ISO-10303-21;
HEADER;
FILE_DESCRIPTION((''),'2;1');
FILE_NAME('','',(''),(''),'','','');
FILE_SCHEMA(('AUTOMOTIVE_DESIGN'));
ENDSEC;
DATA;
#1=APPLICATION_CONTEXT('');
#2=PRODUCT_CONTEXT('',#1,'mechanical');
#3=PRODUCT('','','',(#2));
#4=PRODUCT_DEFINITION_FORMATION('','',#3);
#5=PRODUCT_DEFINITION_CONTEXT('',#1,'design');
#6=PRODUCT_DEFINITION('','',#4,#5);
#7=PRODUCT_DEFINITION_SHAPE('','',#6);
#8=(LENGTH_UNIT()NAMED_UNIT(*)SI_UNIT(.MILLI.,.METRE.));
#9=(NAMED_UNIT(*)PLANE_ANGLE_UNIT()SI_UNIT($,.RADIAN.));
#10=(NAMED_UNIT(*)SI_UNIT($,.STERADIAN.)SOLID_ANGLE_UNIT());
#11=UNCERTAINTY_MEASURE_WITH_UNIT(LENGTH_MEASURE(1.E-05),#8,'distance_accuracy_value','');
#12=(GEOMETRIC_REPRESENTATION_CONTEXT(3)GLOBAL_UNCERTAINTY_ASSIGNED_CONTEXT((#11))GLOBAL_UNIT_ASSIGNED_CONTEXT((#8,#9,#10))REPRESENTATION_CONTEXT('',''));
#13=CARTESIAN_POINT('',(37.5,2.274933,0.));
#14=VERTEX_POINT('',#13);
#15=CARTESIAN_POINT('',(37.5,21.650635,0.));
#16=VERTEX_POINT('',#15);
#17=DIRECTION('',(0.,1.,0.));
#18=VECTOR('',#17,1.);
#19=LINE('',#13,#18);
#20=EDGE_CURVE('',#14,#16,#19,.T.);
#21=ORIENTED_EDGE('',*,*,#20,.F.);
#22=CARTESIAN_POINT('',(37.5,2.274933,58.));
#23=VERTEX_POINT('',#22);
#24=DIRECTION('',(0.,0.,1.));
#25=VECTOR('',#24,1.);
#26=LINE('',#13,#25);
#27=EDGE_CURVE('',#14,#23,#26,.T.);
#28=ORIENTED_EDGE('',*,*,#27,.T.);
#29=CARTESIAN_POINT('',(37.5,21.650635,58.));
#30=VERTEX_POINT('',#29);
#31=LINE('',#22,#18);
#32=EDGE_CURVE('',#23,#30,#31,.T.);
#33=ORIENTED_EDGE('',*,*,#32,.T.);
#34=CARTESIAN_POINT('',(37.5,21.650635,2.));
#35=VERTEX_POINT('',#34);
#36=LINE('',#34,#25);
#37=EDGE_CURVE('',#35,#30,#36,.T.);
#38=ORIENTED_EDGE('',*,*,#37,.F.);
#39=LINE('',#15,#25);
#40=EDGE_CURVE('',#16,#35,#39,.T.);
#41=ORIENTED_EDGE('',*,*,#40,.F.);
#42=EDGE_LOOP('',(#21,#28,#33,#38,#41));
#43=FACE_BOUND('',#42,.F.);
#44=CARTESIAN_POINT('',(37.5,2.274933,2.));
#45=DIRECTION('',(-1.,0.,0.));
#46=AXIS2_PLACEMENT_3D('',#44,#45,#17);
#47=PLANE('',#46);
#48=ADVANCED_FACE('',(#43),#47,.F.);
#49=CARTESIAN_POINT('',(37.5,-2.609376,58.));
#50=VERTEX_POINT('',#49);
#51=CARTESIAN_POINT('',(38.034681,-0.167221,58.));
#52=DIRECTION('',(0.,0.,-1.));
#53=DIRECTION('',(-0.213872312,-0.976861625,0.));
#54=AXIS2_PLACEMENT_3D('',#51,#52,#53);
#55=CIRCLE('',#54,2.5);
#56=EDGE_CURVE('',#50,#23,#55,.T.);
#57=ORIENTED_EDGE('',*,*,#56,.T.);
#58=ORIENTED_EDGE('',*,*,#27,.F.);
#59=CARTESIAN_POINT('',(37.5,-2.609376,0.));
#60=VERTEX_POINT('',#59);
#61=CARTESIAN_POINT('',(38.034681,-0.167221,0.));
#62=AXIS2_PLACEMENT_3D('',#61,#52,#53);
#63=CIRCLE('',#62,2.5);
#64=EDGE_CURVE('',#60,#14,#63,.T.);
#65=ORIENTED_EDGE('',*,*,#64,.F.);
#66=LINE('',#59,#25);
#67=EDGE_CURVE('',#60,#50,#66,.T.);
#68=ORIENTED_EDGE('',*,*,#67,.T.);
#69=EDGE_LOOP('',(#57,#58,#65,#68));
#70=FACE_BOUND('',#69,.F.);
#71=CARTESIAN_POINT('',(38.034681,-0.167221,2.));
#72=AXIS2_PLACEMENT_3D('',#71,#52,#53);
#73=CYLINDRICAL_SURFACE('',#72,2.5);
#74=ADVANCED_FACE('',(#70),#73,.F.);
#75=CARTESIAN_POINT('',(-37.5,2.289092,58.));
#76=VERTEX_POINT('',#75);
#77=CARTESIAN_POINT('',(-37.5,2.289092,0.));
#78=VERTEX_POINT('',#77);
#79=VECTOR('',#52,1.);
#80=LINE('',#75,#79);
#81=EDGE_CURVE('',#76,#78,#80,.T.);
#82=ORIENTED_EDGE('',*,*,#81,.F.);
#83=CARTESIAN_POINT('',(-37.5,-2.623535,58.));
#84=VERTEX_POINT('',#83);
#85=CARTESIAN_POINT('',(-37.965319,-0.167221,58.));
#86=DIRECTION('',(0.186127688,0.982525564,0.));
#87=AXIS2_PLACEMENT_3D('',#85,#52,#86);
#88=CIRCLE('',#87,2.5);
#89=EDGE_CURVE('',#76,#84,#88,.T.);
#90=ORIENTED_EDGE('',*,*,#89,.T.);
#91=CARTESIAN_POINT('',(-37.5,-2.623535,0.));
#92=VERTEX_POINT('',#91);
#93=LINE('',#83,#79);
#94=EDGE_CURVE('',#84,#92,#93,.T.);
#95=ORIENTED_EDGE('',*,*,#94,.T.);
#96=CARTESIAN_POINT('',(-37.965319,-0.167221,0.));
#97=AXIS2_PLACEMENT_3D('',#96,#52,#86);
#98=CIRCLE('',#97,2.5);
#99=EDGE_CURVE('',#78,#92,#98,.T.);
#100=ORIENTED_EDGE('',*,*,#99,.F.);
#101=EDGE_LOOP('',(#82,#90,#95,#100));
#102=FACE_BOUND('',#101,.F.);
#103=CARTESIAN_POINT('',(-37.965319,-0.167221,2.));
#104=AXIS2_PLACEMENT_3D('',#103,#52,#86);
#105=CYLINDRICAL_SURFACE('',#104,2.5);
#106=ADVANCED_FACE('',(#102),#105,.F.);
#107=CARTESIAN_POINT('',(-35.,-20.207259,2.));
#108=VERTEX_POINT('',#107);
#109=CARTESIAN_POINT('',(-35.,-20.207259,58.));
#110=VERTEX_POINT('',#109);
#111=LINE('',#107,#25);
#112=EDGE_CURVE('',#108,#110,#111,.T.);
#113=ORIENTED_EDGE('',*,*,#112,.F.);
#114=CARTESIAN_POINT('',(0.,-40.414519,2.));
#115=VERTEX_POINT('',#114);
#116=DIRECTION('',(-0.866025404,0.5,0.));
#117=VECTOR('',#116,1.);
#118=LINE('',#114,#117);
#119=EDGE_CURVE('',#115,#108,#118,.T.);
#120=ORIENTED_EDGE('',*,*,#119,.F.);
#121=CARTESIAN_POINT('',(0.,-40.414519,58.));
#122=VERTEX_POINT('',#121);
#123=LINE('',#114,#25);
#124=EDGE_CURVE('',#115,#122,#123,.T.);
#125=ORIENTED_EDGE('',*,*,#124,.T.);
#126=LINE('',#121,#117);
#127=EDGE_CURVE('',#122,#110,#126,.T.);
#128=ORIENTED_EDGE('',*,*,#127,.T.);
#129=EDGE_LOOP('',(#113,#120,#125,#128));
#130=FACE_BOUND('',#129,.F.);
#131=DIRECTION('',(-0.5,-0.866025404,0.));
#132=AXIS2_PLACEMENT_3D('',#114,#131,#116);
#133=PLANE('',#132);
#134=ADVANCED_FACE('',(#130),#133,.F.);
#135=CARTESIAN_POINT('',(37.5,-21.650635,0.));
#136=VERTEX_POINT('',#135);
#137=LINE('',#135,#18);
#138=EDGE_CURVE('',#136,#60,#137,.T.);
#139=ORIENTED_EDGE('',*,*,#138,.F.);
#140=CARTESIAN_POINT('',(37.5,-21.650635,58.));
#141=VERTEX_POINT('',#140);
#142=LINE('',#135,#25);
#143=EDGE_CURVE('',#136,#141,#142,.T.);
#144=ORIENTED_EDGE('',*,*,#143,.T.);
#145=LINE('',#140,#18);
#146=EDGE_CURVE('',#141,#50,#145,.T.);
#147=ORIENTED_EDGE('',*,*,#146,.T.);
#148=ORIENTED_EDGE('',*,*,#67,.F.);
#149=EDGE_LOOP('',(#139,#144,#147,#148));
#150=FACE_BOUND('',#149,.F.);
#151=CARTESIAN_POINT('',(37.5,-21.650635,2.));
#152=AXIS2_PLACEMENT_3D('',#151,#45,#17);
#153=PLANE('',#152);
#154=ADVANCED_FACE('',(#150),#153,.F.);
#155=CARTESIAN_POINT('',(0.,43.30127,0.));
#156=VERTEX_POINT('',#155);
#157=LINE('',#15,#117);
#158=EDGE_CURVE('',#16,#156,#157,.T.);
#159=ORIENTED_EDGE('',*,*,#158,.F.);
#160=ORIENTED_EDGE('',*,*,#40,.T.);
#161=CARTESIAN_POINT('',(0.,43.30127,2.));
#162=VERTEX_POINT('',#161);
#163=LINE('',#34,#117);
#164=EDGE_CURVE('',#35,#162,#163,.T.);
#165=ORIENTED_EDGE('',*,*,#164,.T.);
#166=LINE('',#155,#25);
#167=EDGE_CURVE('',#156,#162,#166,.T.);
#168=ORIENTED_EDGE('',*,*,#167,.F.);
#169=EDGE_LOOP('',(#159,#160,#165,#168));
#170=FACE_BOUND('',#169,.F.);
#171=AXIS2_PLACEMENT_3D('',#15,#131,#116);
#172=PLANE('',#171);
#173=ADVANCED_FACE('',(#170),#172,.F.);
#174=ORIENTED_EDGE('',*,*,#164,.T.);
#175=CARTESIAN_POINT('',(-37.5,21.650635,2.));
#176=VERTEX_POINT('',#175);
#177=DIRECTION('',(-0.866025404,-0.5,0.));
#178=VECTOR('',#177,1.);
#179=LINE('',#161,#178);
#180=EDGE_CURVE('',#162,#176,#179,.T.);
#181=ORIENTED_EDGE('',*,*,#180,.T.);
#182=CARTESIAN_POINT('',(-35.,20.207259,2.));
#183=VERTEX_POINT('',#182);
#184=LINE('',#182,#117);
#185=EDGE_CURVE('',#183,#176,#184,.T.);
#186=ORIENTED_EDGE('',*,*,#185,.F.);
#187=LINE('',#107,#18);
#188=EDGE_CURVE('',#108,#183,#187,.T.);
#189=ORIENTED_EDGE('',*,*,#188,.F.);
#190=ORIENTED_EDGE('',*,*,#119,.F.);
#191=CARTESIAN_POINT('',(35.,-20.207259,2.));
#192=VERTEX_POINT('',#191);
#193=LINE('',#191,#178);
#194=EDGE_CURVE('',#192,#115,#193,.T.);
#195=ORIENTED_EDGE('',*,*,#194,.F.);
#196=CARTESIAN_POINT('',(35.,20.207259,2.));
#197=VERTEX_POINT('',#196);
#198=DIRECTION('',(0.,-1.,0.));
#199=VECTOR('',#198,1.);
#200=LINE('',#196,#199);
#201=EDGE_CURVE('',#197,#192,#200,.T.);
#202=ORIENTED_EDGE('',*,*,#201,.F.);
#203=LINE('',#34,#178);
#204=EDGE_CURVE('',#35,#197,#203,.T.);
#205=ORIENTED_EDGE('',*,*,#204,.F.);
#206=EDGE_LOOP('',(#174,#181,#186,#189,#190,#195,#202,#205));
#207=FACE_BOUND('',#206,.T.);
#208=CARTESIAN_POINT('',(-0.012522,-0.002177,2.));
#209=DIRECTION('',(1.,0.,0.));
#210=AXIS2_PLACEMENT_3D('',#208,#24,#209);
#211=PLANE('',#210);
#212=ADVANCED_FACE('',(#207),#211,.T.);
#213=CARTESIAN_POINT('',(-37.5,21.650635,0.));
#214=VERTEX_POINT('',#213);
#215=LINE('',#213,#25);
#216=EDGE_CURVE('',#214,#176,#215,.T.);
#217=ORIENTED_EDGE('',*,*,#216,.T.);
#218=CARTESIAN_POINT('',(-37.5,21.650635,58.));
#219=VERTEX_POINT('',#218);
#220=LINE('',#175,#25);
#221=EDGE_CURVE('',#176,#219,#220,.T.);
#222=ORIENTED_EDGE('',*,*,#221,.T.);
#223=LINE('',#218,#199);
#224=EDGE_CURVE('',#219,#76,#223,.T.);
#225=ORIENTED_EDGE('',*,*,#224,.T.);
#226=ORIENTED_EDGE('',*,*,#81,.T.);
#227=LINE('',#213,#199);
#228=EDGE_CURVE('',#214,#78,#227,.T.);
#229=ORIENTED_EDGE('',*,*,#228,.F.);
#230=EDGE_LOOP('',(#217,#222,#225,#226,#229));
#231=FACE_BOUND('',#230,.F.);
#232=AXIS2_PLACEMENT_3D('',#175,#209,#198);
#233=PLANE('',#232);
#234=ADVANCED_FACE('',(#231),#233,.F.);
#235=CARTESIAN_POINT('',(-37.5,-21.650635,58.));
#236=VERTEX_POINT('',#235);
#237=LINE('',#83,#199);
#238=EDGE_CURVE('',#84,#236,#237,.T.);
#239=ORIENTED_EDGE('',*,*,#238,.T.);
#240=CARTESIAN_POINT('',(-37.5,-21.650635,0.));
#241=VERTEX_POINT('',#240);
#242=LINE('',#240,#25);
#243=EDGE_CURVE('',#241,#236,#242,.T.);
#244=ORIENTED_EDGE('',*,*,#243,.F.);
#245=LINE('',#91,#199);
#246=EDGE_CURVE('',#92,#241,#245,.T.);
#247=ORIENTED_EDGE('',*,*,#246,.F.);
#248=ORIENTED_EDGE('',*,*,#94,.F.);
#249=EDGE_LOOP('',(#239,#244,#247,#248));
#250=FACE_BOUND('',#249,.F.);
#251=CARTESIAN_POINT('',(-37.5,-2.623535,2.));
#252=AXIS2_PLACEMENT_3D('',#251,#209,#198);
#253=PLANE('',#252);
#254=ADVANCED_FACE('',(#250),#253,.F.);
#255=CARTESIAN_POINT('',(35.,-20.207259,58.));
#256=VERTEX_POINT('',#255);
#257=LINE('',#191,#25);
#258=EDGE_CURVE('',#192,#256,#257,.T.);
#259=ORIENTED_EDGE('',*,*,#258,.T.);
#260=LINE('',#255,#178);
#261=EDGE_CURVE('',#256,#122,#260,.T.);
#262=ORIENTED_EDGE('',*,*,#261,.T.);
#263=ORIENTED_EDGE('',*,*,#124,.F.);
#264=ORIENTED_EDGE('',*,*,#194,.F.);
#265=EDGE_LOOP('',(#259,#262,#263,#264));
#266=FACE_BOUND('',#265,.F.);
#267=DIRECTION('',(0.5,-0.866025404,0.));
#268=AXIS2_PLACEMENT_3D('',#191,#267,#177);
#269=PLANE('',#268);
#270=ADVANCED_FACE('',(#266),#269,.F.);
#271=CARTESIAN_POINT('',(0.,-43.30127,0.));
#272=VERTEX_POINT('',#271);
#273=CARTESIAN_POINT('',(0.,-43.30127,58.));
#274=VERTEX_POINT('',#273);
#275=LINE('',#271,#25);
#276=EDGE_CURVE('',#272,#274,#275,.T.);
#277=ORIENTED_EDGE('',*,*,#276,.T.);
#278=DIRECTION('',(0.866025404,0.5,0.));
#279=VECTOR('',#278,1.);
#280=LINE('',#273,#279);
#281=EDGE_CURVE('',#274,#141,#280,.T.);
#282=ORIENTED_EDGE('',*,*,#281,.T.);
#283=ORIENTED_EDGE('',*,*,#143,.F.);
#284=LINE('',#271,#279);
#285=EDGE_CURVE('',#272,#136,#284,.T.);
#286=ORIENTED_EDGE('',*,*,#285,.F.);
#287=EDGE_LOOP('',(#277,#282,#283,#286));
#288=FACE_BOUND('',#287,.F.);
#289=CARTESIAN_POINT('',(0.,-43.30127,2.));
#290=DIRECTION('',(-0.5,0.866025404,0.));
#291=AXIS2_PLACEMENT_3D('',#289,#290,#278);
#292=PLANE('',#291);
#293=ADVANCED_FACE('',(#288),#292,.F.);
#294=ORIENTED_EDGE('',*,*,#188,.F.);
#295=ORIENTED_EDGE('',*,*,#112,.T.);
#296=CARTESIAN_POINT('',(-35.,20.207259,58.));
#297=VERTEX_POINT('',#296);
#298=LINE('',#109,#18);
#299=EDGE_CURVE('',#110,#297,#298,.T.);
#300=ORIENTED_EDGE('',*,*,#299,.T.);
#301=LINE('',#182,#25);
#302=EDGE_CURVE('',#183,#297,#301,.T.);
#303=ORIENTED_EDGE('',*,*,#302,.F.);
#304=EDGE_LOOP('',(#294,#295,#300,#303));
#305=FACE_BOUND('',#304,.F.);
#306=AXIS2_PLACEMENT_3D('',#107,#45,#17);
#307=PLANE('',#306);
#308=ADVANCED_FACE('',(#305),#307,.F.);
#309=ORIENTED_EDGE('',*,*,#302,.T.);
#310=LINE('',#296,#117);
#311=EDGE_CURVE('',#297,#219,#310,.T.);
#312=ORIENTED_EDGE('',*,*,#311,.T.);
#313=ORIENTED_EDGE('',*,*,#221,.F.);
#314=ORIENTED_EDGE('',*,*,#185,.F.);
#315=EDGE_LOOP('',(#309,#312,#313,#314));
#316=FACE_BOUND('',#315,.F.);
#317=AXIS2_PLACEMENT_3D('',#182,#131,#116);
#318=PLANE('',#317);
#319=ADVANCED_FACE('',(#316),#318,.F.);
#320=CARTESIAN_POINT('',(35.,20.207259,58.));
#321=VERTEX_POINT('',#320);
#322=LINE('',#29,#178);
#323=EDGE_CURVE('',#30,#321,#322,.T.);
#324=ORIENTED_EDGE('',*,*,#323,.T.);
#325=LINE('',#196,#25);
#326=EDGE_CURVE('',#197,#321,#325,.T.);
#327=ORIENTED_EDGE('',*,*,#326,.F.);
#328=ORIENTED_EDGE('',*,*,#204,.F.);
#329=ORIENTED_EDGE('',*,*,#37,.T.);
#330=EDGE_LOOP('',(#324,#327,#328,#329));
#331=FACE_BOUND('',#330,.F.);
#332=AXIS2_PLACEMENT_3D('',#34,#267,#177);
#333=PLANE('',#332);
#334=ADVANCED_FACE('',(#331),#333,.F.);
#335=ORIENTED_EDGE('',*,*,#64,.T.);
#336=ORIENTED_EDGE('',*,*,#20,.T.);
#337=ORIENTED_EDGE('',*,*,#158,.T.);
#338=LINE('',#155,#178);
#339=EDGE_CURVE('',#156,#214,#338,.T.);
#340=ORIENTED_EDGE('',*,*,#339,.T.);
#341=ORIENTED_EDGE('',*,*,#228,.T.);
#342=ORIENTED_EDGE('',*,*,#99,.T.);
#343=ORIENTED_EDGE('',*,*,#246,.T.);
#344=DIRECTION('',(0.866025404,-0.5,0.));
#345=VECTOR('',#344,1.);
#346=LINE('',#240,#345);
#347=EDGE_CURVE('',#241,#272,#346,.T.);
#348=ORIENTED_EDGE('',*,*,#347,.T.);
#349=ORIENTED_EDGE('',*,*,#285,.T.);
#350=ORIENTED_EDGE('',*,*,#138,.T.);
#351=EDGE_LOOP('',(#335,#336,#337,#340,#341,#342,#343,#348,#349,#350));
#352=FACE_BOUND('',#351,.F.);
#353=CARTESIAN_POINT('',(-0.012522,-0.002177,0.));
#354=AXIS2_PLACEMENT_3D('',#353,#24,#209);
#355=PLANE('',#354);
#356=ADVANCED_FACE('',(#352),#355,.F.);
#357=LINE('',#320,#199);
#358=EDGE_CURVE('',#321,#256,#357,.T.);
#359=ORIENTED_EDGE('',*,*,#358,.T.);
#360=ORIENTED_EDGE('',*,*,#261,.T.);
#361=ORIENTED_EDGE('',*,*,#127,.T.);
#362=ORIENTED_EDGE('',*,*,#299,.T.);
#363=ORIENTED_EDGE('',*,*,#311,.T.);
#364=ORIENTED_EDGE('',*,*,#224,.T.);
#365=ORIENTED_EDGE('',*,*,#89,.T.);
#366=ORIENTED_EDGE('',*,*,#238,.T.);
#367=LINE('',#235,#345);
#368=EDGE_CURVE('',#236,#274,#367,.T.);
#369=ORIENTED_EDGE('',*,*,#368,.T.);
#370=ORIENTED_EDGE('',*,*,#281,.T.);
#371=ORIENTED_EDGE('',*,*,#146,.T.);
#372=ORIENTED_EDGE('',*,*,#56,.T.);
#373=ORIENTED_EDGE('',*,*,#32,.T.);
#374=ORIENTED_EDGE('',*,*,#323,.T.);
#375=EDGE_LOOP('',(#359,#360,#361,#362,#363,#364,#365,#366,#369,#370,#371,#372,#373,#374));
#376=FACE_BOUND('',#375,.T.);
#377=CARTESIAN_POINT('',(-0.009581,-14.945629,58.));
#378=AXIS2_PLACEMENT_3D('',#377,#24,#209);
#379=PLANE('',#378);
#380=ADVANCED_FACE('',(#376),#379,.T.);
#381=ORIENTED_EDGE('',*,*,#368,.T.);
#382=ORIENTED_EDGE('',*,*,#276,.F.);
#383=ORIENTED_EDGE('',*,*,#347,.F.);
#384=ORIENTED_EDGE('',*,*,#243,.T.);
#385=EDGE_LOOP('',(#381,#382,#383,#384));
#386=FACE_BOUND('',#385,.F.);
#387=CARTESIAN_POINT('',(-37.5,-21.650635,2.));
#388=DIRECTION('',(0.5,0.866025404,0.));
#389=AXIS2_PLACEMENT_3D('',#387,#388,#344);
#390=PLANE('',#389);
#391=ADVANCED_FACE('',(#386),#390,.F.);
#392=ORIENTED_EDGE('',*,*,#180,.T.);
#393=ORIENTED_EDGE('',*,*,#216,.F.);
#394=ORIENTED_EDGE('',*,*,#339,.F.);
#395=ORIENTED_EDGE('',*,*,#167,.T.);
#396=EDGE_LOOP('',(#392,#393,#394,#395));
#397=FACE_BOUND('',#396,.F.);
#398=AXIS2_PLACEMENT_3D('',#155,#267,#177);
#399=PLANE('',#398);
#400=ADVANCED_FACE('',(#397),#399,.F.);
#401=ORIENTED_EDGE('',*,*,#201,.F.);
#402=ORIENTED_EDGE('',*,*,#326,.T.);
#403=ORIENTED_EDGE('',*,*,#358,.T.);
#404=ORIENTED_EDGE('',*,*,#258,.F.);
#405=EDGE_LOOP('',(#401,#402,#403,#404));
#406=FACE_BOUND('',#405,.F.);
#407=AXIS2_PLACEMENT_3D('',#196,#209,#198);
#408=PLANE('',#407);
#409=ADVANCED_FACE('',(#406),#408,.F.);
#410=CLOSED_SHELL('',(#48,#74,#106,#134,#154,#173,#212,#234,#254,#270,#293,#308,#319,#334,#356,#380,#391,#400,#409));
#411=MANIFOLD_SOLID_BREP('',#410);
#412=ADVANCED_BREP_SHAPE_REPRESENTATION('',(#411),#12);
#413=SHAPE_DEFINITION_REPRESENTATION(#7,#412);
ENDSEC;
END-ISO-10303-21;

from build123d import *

# Parameters (mm, degrees)
F1_DEPTH = 2
F3_DEPTH = 56


with BuildPart() as f1:
    # F0 (on Top) → F1 (new body)
    with BuildSketch(Plane.XY):
        with BuildLine():
            Line((37.5, 2.2749325766), (37.5, 21.6506350946))
            Line((37.5, 21.6506350946), (0, 43.3012701892))
            Line((0, 43.3012701892), (-37.5, 21.6506350946))
            Line((-37.5, 21.6506350946), (-37.5, 2.2890924239))
            ThreePointArc((-37.5, 2.2890924239), (-35.4653192208, -0.1672214858), (-37.5, -2.6235353954))
            Line((-37.5, -2.6235353954), (-37.5, -21.6506350946))
            Line((-37.5, -21.6506350946), (0, -43.3012701892))
            Line((0, -43.3012701892), (37.5, -21.6506350946))
            Line((37.5, -21.6506350946), (37.5, -2.6093755481))
            ThreePointArc((37.5, -2.6093755481), (35.5346807792, -0.1672214858), (37.5, 2.2749325766))
        make_face()
        Polygon((0, 40.4145188433), (35, 20.2072594216), (35, -20.2072594216), (0, -40.4145188433), (-35, -20.2072594216), (-35, 20.2072594216), align=None, mode=Mode.SUBTRACT)
        Polygon((35, -20.2072594216), (35, 20.2072594216), (0, 40.4145188433), (-35, 20.2072594216), (-35, -20.2072594216), (0, -40.4145188433), align=None)
    extrude(amount=F1_DEPTH)

    # F2 (on face) → F3 (join)
    with BuildSketch(Plane.XY.offset(2)):
        with BuildLine():
            Line((-37.5, -2.6235353954), (-37.5, -21.6506350946))
            Line((-37.5, -21.6506350946), (0, -43.3012701892))
            Line((0, -43.3012701892), (37.5, -21.6506350946))
            Line((37.5, -21.6506350946), (37.5, -2.6093755481))
            ThreePointArc((37.5, -2.6093755481), (35.5346807792, -0.1672214858), (37.5, 2.2749325766))
            Line((37.5, 2.2749325766), (37.5, 21.6506350946))
            Line((37.5, 21.6506350946), (35, 20.2072594216))
            Line((35, 20.2072594216), (35, -20.2072594216))
            Line((35, -20.2072594216), (0, -40.4145188433))
            Line((0, -40.4145188433), (-35, -20.2072594216))
            Line((-35, -20.2072594216), (-35, 20.2072594216))
            Line((-35, 20.2072594216), (-37.5, 21.6506350946))
            Line((-37.5, 21.6506350946), (-37.5, 2.2890924239))
            ThreePointArc((-37.5, 2.2890924239), (-35.4653192208, -0.1672214858), (-37.5, -2.6235353954))
        make_face()
    extrude(amount=F3_DEPTH)


solid = f1.part
